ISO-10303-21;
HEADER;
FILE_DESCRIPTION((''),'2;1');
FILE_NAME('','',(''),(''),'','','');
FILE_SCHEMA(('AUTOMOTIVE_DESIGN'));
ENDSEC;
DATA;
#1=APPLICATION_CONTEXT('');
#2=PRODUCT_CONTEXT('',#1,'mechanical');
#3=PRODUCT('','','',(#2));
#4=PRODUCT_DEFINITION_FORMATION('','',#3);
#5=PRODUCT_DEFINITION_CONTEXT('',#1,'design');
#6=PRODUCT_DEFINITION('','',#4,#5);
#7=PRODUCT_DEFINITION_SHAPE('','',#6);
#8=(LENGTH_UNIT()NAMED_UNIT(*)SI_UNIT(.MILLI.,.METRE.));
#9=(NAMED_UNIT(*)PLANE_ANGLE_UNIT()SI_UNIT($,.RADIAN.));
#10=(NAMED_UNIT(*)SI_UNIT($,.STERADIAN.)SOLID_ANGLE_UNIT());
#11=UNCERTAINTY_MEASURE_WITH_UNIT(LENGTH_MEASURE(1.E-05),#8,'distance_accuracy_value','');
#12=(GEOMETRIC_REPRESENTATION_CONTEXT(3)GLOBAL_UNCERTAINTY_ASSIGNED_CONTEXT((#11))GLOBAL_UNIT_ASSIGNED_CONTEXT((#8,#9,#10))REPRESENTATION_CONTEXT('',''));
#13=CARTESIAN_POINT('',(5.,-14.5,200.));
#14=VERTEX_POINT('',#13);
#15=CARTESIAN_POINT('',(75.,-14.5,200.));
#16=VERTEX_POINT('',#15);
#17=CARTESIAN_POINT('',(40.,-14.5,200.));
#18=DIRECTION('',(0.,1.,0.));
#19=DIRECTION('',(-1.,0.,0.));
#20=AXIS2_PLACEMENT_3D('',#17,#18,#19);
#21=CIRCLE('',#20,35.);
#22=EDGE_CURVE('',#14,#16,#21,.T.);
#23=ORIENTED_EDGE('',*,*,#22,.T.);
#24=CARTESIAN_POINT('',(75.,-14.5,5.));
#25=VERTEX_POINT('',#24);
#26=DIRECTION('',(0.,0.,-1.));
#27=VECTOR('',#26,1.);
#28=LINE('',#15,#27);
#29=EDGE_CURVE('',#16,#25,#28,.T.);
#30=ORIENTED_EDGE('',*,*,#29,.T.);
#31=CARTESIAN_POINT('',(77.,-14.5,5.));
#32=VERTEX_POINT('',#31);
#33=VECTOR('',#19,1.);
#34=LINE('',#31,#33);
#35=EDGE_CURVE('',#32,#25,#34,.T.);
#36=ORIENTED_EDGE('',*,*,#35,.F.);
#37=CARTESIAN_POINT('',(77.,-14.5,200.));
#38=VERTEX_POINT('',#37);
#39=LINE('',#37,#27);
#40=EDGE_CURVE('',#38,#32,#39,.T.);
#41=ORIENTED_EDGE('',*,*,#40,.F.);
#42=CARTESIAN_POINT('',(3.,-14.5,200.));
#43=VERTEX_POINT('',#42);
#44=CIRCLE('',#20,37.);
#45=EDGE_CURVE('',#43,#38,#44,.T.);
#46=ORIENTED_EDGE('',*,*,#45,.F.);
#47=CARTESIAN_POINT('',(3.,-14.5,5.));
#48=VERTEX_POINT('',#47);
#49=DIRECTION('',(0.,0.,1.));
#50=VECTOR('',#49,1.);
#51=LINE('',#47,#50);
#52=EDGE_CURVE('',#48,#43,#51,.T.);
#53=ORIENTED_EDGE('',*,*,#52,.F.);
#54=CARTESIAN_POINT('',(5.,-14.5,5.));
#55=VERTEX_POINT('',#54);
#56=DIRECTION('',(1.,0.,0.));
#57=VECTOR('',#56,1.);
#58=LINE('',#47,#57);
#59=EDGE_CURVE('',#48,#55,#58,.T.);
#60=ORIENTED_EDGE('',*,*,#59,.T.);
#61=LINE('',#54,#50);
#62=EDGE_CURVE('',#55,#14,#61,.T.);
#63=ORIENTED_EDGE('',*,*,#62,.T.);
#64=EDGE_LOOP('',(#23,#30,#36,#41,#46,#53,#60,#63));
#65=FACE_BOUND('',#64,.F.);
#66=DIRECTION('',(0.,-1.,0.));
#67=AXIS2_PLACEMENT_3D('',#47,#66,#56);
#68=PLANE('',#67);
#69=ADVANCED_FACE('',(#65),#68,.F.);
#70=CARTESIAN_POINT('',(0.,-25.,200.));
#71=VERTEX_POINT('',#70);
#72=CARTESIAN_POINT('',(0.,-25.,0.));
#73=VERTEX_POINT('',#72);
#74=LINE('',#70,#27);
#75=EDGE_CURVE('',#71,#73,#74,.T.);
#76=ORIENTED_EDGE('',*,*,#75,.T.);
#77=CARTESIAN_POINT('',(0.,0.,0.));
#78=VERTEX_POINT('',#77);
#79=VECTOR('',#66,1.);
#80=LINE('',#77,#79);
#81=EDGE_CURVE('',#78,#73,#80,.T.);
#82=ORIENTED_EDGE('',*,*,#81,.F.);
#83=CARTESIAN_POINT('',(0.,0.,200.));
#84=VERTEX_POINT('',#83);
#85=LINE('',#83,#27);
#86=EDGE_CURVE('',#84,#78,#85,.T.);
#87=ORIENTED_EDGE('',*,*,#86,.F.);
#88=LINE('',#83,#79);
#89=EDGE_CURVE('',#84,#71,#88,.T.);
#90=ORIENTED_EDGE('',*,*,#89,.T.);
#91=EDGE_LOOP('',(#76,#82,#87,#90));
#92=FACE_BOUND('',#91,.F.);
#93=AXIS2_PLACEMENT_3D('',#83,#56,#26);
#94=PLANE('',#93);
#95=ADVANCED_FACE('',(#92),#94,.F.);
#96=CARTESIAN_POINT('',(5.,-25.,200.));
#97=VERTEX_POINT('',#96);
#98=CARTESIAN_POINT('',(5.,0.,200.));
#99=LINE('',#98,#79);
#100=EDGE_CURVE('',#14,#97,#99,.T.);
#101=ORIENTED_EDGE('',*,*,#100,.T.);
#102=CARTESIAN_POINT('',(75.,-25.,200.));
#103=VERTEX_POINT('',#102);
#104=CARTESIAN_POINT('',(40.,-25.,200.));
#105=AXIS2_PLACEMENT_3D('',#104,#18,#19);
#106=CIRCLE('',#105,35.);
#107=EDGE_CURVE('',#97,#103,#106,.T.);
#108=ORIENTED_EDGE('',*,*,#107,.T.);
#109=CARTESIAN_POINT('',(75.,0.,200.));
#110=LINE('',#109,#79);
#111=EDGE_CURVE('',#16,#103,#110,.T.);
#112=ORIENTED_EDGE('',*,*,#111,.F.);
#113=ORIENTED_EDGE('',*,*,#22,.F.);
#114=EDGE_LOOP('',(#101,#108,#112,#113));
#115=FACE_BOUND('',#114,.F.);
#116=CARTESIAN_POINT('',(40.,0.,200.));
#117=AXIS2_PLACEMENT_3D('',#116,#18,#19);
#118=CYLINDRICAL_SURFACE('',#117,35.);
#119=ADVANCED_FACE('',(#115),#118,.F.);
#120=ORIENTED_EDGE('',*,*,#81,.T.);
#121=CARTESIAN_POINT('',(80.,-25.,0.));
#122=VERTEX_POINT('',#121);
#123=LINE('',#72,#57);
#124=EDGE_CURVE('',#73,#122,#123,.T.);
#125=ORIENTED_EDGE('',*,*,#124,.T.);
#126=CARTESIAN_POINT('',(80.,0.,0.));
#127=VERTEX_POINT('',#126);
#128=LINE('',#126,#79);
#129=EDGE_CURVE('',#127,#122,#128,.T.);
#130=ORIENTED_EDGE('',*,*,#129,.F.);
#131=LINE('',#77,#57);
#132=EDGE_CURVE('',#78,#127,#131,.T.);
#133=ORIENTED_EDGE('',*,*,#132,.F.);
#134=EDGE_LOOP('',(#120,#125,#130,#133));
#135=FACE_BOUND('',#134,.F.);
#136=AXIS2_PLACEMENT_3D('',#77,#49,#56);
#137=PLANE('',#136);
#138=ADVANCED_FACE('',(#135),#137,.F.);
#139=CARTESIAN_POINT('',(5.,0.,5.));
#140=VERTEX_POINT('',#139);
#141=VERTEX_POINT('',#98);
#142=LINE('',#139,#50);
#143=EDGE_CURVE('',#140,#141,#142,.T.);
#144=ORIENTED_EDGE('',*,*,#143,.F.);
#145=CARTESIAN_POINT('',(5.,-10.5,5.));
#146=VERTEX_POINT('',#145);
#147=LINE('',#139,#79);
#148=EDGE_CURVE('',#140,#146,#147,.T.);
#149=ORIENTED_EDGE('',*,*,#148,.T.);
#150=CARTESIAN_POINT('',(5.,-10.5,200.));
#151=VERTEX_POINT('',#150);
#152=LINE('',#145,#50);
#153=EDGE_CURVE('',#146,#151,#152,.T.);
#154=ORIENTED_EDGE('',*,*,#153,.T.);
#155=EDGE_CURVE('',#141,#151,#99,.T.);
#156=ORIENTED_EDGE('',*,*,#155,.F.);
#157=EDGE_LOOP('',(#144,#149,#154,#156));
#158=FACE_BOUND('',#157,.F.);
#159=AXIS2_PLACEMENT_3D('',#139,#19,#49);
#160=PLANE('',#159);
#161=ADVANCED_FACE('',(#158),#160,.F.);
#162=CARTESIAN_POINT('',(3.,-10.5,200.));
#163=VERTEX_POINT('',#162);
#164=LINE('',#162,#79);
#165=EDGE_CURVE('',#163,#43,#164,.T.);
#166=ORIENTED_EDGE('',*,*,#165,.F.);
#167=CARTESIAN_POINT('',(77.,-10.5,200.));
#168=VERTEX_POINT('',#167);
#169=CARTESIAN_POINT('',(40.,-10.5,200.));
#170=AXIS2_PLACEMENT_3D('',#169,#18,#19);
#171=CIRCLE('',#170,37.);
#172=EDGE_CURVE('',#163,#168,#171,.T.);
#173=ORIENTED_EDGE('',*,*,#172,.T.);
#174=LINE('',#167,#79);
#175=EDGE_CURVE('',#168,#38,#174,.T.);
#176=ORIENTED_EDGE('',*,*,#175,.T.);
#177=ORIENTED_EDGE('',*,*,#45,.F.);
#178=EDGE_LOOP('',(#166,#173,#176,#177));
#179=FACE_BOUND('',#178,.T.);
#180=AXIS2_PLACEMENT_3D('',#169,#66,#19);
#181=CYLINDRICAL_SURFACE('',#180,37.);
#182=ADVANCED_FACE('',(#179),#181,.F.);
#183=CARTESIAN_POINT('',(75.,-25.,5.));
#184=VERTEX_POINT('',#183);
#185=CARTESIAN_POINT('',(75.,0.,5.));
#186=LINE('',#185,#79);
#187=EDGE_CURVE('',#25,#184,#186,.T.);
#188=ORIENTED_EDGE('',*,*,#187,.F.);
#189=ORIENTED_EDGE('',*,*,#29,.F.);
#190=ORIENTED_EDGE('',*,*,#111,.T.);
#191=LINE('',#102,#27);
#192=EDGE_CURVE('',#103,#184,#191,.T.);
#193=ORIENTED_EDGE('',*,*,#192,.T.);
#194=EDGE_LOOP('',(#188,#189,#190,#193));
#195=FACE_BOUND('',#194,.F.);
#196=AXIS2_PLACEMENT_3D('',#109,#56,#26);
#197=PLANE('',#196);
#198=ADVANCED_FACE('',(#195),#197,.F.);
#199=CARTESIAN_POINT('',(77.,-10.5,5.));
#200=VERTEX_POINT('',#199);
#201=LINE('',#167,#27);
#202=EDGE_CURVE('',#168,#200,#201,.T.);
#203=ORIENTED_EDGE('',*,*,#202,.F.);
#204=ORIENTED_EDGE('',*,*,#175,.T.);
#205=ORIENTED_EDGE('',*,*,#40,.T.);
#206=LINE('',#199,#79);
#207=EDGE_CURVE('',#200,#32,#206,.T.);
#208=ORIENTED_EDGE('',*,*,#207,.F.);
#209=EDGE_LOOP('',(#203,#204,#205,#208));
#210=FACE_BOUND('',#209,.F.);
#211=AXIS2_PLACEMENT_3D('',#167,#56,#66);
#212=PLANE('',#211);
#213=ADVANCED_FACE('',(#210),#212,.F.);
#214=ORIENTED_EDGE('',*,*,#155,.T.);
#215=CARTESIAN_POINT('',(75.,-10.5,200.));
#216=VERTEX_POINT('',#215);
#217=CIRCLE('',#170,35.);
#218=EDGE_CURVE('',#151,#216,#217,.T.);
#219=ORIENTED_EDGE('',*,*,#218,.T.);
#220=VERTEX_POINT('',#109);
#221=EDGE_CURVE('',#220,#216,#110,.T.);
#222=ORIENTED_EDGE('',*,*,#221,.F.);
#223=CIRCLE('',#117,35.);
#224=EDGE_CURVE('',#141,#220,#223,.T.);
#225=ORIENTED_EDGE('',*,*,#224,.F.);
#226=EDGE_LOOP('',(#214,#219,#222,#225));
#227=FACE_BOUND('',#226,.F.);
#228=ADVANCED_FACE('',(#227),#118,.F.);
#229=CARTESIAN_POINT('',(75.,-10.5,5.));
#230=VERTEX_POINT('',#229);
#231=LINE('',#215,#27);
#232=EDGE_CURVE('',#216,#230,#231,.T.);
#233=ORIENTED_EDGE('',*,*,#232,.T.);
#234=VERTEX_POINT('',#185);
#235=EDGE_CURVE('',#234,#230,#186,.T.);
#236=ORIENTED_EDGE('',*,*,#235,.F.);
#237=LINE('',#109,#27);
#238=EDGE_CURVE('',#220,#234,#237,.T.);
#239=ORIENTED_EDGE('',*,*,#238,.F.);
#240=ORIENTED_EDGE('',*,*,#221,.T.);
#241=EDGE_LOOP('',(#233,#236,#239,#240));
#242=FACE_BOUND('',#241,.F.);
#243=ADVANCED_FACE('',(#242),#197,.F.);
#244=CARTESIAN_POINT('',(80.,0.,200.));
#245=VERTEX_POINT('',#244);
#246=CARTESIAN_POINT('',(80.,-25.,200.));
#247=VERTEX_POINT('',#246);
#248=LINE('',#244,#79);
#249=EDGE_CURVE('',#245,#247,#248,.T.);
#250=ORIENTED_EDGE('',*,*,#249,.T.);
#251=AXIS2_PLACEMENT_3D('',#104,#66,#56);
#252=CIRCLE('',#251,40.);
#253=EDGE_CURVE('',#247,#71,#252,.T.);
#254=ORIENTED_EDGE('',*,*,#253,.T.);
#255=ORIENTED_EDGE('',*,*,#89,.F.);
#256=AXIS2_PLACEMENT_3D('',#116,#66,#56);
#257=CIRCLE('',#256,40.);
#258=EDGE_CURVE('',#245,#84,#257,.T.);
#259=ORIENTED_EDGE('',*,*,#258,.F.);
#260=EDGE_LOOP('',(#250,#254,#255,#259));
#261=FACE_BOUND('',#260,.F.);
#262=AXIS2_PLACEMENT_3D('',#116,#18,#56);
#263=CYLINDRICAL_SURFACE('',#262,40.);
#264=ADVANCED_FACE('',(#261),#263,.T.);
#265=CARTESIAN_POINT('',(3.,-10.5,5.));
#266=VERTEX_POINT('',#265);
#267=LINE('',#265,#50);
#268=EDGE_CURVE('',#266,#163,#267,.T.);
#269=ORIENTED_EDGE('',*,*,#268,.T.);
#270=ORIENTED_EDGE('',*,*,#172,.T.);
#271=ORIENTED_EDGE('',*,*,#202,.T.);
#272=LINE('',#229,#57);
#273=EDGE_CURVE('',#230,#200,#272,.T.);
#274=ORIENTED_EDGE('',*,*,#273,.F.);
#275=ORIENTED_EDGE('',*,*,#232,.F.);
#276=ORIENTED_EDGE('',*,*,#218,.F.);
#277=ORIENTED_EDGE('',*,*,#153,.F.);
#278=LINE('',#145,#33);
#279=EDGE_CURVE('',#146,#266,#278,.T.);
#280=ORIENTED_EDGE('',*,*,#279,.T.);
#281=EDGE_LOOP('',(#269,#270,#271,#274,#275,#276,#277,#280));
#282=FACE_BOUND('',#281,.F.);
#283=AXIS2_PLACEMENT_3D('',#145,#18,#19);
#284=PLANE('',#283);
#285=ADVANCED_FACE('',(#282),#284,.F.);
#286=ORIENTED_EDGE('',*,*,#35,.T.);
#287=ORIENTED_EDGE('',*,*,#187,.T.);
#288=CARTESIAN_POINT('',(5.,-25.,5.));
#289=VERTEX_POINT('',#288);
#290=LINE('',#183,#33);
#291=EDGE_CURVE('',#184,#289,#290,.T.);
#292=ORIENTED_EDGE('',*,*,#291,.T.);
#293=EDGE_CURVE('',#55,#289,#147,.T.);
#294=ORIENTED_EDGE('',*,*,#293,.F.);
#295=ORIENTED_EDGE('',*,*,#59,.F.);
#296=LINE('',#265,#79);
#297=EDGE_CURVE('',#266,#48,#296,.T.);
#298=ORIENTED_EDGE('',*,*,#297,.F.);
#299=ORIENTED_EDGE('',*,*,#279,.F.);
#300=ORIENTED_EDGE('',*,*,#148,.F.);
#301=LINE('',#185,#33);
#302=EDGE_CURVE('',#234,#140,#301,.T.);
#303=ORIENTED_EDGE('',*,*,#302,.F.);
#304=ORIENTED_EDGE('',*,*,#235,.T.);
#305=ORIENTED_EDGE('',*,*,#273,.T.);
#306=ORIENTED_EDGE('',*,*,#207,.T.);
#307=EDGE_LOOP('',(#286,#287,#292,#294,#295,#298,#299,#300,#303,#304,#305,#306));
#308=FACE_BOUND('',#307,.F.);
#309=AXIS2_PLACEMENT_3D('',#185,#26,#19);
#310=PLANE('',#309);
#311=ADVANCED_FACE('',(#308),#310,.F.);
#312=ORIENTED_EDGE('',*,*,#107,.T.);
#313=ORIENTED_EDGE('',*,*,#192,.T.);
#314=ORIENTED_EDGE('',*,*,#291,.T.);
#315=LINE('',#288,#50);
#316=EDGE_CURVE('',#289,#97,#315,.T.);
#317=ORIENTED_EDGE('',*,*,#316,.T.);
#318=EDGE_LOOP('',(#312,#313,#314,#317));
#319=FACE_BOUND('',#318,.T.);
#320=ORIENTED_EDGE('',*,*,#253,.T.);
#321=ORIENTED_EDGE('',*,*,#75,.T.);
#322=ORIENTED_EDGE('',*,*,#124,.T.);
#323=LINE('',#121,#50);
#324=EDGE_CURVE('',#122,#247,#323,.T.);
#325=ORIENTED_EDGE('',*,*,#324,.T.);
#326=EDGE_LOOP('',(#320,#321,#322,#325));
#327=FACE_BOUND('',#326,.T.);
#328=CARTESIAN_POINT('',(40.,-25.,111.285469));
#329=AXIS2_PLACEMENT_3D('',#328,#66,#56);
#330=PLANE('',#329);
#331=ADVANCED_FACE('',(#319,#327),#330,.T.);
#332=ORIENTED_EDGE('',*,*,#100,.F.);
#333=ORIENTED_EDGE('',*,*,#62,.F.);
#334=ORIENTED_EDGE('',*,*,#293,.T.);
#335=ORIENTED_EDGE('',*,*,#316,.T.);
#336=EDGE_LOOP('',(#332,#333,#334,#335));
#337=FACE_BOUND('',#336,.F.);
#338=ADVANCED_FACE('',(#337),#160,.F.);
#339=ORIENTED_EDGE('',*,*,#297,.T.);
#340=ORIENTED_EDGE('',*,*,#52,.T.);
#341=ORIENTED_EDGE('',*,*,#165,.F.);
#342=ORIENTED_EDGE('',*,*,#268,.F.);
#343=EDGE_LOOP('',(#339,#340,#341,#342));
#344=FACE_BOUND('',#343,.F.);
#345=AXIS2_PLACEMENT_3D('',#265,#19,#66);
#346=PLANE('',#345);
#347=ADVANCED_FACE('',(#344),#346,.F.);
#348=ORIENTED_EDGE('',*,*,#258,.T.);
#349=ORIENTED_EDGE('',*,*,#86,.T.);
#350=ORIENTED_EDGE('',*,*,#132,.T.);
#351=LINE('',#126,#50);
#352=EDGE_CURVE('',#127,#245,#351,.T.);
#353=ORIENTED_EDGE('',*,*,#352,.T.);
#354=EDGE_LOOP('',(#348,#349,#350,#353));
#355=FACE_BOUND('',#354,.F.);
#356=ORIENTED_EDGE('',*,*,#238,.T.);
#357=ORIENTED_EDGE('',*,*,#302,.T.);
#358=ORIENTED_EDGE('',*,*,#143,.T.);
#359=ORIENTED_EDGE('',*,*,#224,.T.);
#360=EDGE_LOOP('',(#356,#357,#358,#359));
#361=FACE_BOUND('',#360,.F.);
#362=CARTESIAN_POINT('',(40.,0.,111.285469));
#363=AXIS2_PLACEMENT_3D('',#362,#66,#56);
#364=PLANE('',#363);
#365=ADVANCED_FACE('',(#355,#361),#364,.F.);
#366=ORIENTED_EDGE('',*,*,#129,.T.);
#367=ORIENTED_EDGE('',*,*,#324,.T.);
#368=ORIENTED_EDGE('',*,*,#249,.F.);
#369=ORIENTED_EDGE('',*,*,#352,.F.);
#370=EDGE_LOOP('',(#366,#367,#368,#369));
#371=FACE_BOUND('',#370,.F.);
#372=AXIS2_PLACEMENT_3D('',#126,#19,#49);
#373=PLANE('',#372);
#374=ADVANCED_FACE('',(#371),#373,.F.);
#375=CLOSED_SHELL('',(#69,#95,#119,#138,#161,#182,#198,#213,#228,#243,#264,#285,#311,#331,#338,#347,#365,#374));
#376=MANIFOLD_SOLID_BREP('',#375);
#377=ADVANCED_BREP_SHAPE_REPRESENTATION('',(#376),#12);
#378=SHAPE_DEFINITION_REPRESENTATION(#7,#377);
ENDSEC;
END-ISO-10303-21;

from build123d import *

# Parameters (mm, degrees)
F1_DEPTH = 25


with BuildPart() as f1:
    # F0 (on Front) → F1 (new body)
    with BuildSketch(Plane.XZ):
        with BuildLine():
            Line((0, 200), (0, 0))
            Line((0, 0), (80, 0))
            Line((80, 0), (80, 200))
            ThreePointArc((80, 200), (40, 240), (0, 200))
        make_face()
        with BuildLine():
            ThreePointArc((5, 200), (40, 235), (75, 200))
            Line((75, 200), (75, 5))
            Line((75, 5), (5, 5))
            Line((5, 5), (5, 200))
        make_face(mode=Mode.SUBTRACT)
    extrude(amount=F1_DEPTH)

    # F3: sweep along a path in F3_path
    with BuildLine(Plane(origin=(5, -25, 5), x_dir=(0, 0, -1), z_dir=(0, 1, 0))) as f3_path:
        Line((0, 0), (-195, 0))
        ThreePointArc((-195, 0), (-230, -35), (-195, -70))
        Line((-195, -70), (0, -70))
    # F2 (on face) → F3 (sweep, cut)
    with BuildSketch(Plane.XY.offset(5)):
        Polygon((5, -12.5), (5, -10.5), (3, -10.5), (3, -12.5), (3, -14.5), (5, -14.5), align=None)
    sweep(path=f3_path.line, mode=Mode.SUBTRACT)


solid = f1.part
